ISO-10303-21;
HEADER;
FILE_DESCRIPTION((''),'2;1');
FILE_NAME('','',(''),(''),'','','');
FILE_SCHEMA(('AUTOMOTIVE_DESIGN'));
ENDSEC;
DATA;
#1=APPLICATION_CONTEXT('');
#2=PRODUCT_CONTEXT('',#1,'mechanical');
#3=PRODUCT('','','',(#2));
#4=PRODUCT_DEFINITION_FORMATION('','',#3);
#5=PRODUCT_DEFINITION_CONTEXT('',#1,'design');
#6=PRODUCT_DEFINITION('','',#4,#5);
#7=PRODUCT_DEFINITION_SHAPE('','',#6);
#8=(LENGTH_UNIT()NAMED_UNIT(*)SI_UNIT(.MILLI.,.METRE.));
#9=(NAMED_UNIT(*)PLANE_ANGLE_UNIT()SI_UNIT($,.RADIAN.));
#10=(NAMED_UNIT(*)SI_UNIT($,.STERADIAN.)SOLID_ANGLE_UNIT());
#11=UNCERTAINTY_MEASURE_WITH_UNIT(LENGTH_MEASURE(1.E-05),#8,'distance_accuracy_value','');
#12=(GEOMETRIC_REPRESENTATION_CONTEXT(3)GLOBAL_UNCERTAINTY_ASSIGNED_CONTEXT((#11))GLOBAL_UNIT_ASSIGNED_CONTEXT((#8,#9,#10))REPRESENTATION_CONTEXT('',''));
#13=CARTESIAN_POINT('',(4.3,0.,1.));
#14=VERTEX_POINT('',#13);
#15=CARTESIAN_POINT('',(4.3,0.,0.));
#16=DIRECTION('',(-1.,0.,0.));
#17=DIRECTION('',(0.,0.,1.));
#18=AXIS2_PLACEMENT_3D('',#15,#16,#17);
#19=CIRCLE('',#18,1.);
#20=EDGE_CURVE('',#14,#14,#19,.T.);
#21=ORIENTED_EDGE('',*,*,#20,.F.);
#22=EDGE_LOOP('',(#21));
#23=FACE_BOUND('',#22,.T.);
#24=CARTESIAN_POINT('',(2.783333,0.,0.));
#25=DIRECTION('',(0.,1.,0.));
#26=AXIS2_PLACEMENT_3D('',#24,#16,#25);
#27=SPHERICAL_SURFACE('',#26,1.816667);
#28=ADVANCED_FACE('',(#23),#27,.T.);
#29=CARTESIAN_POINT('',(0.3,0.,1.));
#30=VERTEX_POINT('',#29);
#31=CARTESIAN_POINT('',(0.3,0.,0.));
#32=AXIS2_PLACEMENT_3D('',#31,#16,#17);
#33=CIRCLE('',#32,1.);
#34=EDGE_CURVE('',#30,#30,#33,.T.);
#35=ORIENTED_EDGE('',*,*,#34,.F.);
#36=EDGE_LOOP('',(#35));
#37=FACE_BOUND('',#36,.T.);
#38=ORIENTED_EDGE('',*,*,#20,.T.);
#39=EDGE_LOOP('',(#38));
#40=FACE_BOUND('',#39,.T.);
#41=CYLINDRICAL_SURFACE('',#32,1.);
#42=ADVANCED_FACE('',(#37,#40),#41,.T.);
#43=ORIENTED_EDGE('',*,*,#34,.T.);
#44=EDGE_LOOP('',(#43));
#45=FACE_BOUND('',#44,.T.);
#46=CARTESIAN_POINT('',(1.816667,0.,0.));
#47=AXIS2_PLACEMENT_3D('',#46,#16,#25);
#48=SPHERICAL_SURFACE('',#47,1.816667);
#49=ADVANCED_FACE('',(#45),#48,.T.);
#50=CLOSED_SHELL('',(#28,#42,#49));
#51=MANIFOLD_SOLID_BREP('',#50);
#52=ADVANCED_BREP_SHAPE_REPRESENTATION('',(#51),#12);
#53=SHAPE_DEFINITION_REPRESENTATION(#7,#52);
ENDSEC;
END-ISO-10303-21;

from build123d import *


with BuildPart() as part:
    # Sketch1 → Revolve1 (revolve)
    with BuildSketch(Plane.XY):
        with BuildLine():
            Line((0, 0), (0.3, 0))
            Line((0.3, 0), (4.3, 0))
            Line((4.3, 0), (4.6, 0))
            ThreePointArc((4.6, 0), (4.523384418, 0.522015325), (4.3, 1))
            Line((4.3, 1), (0.3, 1))
            ThreePointArc((0.3, 1), (0.076615582, 0.522015325), (0, 0))
        make_face()
    revolve(axis=Axis((0.3, 0, 0), (1, 0, 0)))


solid = part.part
